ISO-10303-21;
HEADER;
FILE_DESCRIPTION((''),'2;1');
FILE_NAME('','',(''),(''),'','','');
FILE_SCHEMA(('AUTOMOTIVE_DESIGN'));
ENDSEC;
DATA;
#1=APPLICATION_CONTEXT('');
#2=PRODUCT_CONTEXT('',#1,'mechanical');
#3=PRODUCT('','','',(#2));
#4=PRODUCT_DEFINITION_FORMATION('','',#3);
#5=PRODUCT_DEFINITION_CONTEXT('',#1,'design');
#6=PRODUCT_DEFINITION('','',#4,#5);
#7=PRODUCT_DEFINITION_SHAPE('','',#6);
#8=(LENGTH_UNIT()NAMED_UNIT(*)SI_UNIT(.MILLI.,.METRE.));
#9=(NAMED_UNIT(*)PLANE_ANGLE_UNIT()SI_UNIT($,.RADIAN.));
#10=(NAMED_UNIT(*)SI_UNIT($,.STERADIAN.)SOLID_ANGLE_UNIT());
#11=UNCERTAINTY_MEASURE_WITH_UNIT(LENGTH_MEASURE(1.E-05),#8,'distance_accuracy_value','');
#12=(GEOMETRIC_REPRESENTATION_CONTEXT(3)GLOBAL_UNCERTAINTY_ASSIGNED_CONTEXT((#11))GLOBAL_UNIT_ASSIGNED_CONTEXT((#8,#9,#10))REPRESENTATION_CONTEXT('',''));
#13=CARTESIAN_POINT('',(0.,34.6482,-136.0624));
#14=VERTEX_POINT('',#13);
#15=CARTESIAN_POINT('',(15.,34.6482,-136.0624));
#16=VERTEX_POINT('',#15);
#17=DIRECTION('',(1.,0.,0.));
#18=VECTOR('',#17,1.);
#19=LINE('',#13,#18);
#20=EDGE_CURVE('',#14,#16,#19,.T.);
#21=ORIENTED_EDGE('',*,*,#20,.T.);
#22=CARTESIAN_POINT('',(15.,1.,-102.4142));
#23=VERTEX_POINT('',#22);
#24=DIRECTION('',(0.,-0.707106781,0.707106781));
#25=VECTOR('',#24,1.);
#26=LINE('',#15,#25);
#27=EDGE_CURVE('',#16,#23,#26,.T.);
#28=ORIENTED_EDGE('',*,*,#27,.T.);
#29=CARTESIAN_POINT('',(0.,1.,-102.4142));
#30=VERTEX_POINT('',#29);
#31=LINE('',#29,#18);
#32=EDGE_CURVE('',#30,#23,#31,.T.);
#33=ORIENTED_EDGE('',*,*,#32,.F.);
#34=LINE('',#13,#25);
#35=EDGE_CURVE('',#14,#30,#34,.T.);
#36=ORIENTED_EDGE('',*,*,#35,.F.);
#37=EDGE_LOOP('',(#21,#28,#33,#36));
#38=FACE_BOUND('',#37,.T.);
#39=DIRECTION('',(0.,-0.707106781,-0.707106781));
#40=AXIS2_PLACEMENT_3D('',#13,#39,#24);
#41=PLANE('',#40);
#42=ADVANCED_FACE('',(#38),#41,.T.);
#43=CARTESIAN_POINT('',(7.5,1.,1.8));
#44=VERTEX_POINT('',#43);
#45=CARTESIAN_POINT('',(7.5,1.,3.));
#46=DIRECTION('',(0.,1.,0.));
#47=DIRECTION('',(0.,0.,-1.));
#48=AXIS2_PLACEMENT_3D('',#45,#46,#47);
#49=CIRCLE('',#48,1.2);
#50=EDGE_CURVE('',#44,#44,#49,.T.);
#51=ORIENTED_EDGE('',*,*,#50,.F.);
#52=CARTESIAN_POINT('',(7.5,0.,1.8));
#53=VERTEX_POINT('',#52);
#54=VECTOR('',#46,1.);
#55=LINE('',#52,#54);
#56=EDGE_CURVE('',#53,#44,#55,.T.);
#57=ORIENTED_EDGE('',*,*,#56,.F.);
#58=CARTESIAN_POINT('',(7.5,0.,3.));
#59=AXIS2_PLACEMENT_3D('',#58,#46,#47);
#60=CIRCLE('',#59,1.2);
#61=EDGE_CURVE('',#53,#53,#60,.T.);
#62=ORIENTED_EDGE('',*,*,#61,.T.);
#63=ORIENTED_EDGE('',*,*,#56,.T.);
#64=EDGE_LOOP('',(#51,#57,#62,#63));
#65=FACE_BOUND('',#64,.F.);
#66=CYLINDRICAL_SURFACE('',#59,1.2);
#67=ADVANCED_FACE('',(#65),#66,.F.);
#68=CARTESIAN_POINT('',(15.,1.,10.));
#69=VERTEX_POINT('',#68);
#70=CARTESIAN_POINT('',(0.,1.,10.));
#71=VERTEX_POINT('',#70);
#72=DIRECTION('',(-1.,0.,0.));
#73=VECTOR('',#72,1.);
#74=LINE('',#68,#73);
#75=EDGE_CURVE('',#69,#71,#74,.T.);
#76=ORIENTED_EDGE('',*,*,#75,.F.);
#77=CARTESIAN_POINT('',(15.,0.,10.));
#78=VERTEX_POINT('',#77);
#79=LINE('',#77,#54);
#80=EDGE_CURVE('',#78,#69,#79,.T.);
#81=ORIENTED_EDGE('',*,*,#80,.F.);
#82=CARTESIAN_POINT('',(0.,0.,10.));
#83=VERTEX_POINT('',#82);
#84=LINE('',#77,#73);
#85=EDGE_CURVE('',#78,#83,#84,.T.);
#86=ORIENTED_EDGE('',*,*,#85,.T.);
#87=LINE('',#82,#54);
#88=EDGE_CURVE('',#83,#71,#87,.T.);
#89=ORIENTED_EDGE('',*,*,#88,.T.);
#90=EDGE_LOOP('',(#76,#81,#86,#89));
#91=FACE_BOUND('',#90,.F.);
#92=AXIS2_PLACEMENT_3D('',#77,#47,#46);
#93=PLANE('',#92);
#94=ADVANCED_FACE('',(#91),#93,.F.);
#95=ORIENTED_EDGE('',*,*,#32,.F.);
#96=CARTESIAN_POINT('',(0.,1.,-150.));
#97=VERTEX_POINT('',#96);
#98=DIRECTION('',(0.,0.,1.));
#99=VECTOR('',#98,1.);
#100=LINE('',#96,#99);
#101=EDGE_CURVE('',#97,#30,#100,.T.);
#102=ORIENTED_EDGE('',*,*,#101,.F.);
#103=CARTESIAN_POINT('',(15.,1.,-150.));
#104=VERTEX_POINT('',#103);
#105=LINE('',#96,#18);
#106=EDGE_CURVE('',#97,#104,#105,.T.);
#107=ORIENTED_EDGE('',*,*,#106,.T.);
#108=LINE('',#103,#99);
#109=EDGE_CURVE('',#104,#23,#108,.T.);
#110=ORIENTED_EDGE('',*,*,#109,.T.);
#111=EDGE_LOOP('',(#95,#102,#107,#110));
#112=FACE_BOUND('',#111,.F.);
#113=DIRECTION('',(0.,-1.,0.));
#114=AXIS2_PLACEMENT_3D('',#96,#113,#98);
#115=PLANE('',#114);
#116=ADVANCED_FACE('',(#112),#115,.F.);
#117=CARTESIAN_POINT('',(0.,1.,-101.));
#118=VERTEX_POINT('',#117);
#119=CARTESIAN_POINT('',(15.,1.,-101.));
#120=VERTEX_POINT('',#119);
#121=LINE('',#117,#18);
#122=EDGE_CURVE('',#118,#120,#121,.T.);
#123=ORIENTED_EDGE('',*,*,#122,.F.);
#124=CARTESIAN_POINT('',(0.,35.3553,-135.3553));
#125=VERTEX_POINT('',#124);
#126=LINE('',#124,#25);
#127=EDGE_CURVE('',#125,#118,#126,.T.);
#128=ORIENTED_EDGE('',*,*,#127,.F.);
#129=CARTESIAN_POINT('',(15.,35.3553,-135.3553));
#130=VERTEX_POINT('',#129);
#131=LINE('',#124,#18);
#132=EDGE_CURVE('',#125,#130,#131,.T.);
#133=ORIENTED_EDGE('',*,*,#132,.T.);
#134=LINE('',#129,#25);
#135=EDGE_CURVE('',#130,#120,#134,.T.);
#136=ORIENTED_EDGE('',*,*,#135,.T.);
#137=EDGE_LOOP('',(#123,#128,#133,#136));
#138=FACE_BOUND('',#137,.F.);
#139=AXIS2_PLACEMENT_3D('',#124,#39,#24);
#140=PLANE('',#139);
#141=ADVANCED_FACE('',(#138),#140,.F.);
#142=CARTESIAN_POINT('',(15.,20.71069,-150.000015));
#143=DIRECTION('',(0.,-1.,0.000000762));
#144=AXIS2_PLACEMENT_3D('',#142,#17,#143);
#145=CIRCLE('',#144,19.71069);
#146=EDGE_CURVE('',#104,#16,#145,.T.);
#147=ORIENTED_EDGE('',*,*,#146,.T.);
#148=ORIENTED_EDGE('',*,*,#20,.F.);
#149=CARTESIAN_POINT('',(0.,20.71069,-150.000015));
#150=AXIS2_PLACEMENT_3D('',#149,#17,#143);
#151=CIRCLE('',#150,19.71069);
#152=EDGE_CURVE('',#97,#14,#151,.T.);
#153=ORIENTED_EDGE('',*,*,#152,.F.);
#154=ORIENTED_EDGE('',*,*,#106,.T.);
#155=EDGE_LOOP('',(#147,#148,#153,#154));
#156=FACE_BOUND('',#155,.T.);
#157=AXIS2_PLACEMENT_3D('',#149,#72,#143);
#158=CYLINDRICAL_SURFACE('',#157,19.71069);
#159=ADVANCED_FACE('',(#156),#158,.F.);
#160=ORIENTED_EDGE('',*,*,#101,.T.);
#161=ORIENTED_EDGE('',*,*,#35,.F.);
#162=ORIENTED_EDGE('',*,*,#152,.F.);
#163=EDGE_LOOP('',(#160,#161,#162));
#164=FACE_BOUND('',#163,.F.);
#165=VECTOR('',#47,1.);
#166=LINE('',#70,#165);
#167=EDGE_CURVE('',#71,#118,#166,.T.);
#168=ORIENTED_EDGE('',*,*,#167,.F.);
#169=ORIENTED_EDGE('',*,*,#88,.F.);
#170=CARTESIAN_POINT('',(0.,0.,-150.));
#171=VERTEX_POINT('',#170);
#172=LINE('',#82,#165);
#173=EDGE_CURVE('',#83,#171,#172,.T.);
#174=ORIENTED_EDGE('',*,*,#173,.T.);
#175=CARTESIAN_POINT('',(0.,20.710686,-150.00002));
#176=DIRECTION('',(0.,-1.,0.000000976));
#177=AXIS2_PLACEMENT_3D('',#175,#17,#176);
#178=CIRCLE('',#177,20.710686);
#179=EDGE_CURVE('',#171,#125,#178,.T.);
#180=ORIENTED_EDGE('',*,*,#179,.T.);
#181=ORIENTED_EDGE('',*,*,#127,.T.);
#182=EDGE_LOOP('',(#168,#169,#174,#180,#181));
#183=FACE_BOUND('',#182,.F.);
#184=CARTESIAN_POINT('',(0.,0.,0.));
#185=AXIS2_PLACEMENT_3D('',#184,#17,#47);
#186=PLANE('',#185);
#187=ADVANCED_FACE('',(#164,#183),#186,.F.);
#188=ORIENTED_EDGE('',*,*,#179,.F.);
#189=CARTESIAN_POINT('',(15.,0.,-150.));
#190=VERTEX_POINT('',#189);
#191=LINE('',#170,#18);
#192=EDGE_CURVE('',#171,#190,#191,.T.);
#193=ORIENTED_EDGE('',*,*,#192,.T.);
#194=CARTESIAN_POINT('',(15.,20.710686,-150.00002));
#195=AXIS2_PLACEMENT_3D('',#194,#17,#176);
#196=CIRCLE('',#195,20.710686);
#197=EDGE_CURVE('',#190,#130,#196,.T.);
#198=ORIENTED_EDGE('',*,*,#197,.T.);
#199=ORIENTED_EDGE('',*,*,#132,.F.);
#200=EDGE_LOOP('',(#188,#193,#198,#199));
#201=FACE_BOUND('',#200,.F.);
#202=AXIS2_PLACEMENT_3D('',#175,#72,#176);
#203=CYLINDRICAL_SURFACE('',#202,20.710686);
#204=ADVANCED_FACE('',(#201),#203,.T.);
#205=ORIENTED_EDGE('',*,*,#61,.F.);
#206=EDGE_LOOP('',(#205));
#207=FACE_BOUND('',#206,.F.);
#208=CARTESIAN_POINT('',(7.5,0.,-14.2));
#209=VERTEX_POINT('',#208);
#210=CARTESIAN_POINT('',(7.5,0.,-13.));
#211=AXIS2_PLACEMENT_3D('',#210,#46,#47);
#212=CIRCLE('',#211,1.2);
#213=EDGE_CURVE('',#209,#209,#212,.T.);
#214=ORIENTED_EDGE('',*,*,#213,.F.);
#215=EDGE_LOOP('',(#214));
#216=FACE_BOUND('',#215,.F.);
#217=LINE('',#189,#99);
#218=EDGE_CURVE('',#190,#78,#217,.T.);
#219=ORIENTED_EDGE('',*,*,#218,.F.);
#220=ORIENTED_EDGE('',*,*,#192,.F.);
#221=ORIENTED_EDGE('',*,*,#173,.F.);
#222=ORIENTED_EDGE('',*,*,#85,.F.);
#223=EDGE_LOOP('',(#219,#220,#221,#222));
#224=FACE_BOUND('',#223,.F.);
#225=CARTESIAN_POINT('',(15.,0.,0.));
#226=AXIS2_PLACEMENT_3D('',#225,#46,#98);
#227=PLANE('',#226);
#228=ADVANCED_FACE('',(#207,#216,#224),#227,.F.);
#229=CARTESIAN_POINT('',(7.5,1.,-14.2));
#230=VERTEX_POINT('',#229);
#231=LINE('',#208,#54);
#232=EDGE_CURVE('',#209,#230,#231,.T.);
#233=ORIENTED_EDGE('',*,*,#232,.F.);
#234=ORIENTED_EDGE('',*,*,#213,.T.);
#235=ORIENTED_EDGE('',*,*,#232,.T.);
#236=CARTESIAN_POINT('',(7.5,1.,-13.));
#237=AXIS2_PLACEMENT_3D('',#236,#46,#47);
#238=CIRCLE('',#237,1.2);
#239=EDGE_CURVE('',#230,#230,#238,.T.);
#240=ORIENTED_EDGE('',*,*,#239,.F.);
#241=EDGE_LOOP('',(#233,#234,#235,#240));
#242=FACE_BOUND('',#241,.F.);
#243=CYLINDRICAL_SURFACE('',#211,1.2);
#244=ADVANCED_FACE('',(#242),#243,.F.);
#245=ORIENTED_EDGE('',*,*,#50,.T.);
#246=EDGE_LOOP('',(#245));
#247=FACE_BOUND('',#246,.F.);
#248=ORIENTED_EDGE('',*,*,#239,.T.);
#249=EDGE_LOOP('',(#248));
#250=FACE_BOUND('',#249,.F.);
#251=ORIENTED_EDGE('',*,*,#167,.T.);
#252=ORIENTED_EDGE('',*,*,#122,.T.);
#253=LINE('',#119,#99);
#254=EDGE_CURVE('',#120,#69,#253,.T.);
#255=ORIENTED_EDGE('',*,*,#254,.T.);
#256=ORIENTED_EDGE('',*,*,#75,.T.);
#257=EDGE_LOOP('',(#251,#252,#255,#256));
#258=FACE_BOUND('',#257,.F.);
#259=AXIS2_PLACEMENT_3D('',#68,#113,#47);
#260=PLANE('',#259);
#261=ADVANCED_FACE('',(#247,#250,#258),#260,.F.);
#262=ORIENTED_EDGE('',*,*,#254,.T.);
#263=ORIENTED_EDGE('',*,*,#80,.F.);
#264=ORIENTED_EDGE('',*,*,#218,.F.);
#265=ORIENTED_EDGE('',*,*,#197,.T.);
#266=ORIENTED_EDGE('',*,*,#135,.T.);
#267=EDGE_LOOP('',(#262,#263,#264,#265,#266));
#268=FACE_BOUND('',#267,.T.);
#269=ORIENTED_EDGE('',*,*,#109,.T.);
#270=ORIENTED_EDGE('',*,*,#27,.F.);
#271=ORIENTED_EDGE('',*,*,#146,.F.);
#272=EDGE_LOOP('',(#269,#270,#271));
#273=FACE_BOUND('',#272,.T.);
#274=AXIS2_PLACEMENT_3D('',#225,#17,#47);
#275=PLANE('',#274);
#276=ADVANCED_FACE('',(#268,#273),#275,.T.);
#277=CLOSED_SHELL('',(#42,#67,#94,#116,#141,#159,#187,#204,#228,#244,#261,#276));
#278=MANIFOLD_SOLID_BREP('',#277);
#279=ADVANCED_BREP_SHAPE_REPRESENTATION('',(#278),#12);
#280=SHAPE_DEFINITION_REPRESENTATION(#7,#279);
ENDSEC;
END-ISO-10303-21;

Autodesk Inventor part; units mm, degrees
ref_plane "YZ Plane" through (0, 0, 0) normal (1, 0, 0) x (0, 1, 0)
ref_plane "XZ Plane" through (0, 0, 0) normal (0, 1, 0) x (-1, 0, 0)
ref_plane "XY Plane" through (0, 0, 0) normal (0, 0, 1) x (1, 0, 0)
sketch "スケッチ3" plane through (0, 0, 0) normal (1, 0, 0) x (0, 1, 0)
  line L0 (0, 0) -> (0, -150)
  line L1 (0, 0) -> (0, -100)
  arc A0 (0, -150) -> (35.3553, -135.3553) centre (20.7107, -150) ccw
  line L2 (0, -150) -> (20.7107, -150) construction
  line L3 (35.3553, -135.3553) -> (20.7107, -150) construction
  line L4 (35.3553, -135.3553) -> (0, -100)
  line L5 (0, 0) -> (1, 0)
  arc A1 (1, -150) -> (34.6482, -136.0624) centre (20.7107, -150) ccw
  line L6 (34.6482, -136.0624) -> (1, -102.4142)
  line L7 (1, -150) -> (1, -102.4142)
  dimension "d13" = 150
  dimension "d14" = 100
  dimension "d16" = 135
  dimension "d17" = 1
extrude "押し出し3" add sketch "スケッチ3" along normal blind 15
sketch "スケッチ4" plane through (0, 0, 0) normal (-1, 0, 0) x (0, 0, 1)
  line L0 (-100, 0) -> (-150, 0) projected
  line L1 (-100, 0) -> (0, 0)
  line L2 (0, 0) -> (0, 1)
  line L3 (0, 1) -> (-101, 1)
  line L4 (-135.3553, 35.3553) -> (-100, 0) projected
  line L5 (-101, 1) -> (-100, 0)
  dimension "d20" = 1
extrude "押し出し4" add sketch "スケッチ4" against normal blind 15
sketch "スケッチ5" plane through (15, 0, 0) normal (1, 0, 0) x (0, 0, -1)
  line L0 (0, 0) -> (150, 0) projected
  line L1 (0, 0) -> (-10, 0)
  line L2 (-10, 0) -> (-10, 1)
  line L3 (-10, 1) -> (0, 1)
  line L4 (0, 1) -> (0, 0)
  dimension "d23" = 10
  dimension "d24" = 1
extrude "押し出し5" add sketch "スケッチ5" against normal blind 15
hole "穴1" at (7.5, 0, 3) direction (0, 1, 0) diameter 2.4 end through all
hole "穴2" at (7.5, 0, -13) direction (0, 1, 0) diameter 2.4 end through all
properties part number "スタビライザ" material "アルミニウム"
